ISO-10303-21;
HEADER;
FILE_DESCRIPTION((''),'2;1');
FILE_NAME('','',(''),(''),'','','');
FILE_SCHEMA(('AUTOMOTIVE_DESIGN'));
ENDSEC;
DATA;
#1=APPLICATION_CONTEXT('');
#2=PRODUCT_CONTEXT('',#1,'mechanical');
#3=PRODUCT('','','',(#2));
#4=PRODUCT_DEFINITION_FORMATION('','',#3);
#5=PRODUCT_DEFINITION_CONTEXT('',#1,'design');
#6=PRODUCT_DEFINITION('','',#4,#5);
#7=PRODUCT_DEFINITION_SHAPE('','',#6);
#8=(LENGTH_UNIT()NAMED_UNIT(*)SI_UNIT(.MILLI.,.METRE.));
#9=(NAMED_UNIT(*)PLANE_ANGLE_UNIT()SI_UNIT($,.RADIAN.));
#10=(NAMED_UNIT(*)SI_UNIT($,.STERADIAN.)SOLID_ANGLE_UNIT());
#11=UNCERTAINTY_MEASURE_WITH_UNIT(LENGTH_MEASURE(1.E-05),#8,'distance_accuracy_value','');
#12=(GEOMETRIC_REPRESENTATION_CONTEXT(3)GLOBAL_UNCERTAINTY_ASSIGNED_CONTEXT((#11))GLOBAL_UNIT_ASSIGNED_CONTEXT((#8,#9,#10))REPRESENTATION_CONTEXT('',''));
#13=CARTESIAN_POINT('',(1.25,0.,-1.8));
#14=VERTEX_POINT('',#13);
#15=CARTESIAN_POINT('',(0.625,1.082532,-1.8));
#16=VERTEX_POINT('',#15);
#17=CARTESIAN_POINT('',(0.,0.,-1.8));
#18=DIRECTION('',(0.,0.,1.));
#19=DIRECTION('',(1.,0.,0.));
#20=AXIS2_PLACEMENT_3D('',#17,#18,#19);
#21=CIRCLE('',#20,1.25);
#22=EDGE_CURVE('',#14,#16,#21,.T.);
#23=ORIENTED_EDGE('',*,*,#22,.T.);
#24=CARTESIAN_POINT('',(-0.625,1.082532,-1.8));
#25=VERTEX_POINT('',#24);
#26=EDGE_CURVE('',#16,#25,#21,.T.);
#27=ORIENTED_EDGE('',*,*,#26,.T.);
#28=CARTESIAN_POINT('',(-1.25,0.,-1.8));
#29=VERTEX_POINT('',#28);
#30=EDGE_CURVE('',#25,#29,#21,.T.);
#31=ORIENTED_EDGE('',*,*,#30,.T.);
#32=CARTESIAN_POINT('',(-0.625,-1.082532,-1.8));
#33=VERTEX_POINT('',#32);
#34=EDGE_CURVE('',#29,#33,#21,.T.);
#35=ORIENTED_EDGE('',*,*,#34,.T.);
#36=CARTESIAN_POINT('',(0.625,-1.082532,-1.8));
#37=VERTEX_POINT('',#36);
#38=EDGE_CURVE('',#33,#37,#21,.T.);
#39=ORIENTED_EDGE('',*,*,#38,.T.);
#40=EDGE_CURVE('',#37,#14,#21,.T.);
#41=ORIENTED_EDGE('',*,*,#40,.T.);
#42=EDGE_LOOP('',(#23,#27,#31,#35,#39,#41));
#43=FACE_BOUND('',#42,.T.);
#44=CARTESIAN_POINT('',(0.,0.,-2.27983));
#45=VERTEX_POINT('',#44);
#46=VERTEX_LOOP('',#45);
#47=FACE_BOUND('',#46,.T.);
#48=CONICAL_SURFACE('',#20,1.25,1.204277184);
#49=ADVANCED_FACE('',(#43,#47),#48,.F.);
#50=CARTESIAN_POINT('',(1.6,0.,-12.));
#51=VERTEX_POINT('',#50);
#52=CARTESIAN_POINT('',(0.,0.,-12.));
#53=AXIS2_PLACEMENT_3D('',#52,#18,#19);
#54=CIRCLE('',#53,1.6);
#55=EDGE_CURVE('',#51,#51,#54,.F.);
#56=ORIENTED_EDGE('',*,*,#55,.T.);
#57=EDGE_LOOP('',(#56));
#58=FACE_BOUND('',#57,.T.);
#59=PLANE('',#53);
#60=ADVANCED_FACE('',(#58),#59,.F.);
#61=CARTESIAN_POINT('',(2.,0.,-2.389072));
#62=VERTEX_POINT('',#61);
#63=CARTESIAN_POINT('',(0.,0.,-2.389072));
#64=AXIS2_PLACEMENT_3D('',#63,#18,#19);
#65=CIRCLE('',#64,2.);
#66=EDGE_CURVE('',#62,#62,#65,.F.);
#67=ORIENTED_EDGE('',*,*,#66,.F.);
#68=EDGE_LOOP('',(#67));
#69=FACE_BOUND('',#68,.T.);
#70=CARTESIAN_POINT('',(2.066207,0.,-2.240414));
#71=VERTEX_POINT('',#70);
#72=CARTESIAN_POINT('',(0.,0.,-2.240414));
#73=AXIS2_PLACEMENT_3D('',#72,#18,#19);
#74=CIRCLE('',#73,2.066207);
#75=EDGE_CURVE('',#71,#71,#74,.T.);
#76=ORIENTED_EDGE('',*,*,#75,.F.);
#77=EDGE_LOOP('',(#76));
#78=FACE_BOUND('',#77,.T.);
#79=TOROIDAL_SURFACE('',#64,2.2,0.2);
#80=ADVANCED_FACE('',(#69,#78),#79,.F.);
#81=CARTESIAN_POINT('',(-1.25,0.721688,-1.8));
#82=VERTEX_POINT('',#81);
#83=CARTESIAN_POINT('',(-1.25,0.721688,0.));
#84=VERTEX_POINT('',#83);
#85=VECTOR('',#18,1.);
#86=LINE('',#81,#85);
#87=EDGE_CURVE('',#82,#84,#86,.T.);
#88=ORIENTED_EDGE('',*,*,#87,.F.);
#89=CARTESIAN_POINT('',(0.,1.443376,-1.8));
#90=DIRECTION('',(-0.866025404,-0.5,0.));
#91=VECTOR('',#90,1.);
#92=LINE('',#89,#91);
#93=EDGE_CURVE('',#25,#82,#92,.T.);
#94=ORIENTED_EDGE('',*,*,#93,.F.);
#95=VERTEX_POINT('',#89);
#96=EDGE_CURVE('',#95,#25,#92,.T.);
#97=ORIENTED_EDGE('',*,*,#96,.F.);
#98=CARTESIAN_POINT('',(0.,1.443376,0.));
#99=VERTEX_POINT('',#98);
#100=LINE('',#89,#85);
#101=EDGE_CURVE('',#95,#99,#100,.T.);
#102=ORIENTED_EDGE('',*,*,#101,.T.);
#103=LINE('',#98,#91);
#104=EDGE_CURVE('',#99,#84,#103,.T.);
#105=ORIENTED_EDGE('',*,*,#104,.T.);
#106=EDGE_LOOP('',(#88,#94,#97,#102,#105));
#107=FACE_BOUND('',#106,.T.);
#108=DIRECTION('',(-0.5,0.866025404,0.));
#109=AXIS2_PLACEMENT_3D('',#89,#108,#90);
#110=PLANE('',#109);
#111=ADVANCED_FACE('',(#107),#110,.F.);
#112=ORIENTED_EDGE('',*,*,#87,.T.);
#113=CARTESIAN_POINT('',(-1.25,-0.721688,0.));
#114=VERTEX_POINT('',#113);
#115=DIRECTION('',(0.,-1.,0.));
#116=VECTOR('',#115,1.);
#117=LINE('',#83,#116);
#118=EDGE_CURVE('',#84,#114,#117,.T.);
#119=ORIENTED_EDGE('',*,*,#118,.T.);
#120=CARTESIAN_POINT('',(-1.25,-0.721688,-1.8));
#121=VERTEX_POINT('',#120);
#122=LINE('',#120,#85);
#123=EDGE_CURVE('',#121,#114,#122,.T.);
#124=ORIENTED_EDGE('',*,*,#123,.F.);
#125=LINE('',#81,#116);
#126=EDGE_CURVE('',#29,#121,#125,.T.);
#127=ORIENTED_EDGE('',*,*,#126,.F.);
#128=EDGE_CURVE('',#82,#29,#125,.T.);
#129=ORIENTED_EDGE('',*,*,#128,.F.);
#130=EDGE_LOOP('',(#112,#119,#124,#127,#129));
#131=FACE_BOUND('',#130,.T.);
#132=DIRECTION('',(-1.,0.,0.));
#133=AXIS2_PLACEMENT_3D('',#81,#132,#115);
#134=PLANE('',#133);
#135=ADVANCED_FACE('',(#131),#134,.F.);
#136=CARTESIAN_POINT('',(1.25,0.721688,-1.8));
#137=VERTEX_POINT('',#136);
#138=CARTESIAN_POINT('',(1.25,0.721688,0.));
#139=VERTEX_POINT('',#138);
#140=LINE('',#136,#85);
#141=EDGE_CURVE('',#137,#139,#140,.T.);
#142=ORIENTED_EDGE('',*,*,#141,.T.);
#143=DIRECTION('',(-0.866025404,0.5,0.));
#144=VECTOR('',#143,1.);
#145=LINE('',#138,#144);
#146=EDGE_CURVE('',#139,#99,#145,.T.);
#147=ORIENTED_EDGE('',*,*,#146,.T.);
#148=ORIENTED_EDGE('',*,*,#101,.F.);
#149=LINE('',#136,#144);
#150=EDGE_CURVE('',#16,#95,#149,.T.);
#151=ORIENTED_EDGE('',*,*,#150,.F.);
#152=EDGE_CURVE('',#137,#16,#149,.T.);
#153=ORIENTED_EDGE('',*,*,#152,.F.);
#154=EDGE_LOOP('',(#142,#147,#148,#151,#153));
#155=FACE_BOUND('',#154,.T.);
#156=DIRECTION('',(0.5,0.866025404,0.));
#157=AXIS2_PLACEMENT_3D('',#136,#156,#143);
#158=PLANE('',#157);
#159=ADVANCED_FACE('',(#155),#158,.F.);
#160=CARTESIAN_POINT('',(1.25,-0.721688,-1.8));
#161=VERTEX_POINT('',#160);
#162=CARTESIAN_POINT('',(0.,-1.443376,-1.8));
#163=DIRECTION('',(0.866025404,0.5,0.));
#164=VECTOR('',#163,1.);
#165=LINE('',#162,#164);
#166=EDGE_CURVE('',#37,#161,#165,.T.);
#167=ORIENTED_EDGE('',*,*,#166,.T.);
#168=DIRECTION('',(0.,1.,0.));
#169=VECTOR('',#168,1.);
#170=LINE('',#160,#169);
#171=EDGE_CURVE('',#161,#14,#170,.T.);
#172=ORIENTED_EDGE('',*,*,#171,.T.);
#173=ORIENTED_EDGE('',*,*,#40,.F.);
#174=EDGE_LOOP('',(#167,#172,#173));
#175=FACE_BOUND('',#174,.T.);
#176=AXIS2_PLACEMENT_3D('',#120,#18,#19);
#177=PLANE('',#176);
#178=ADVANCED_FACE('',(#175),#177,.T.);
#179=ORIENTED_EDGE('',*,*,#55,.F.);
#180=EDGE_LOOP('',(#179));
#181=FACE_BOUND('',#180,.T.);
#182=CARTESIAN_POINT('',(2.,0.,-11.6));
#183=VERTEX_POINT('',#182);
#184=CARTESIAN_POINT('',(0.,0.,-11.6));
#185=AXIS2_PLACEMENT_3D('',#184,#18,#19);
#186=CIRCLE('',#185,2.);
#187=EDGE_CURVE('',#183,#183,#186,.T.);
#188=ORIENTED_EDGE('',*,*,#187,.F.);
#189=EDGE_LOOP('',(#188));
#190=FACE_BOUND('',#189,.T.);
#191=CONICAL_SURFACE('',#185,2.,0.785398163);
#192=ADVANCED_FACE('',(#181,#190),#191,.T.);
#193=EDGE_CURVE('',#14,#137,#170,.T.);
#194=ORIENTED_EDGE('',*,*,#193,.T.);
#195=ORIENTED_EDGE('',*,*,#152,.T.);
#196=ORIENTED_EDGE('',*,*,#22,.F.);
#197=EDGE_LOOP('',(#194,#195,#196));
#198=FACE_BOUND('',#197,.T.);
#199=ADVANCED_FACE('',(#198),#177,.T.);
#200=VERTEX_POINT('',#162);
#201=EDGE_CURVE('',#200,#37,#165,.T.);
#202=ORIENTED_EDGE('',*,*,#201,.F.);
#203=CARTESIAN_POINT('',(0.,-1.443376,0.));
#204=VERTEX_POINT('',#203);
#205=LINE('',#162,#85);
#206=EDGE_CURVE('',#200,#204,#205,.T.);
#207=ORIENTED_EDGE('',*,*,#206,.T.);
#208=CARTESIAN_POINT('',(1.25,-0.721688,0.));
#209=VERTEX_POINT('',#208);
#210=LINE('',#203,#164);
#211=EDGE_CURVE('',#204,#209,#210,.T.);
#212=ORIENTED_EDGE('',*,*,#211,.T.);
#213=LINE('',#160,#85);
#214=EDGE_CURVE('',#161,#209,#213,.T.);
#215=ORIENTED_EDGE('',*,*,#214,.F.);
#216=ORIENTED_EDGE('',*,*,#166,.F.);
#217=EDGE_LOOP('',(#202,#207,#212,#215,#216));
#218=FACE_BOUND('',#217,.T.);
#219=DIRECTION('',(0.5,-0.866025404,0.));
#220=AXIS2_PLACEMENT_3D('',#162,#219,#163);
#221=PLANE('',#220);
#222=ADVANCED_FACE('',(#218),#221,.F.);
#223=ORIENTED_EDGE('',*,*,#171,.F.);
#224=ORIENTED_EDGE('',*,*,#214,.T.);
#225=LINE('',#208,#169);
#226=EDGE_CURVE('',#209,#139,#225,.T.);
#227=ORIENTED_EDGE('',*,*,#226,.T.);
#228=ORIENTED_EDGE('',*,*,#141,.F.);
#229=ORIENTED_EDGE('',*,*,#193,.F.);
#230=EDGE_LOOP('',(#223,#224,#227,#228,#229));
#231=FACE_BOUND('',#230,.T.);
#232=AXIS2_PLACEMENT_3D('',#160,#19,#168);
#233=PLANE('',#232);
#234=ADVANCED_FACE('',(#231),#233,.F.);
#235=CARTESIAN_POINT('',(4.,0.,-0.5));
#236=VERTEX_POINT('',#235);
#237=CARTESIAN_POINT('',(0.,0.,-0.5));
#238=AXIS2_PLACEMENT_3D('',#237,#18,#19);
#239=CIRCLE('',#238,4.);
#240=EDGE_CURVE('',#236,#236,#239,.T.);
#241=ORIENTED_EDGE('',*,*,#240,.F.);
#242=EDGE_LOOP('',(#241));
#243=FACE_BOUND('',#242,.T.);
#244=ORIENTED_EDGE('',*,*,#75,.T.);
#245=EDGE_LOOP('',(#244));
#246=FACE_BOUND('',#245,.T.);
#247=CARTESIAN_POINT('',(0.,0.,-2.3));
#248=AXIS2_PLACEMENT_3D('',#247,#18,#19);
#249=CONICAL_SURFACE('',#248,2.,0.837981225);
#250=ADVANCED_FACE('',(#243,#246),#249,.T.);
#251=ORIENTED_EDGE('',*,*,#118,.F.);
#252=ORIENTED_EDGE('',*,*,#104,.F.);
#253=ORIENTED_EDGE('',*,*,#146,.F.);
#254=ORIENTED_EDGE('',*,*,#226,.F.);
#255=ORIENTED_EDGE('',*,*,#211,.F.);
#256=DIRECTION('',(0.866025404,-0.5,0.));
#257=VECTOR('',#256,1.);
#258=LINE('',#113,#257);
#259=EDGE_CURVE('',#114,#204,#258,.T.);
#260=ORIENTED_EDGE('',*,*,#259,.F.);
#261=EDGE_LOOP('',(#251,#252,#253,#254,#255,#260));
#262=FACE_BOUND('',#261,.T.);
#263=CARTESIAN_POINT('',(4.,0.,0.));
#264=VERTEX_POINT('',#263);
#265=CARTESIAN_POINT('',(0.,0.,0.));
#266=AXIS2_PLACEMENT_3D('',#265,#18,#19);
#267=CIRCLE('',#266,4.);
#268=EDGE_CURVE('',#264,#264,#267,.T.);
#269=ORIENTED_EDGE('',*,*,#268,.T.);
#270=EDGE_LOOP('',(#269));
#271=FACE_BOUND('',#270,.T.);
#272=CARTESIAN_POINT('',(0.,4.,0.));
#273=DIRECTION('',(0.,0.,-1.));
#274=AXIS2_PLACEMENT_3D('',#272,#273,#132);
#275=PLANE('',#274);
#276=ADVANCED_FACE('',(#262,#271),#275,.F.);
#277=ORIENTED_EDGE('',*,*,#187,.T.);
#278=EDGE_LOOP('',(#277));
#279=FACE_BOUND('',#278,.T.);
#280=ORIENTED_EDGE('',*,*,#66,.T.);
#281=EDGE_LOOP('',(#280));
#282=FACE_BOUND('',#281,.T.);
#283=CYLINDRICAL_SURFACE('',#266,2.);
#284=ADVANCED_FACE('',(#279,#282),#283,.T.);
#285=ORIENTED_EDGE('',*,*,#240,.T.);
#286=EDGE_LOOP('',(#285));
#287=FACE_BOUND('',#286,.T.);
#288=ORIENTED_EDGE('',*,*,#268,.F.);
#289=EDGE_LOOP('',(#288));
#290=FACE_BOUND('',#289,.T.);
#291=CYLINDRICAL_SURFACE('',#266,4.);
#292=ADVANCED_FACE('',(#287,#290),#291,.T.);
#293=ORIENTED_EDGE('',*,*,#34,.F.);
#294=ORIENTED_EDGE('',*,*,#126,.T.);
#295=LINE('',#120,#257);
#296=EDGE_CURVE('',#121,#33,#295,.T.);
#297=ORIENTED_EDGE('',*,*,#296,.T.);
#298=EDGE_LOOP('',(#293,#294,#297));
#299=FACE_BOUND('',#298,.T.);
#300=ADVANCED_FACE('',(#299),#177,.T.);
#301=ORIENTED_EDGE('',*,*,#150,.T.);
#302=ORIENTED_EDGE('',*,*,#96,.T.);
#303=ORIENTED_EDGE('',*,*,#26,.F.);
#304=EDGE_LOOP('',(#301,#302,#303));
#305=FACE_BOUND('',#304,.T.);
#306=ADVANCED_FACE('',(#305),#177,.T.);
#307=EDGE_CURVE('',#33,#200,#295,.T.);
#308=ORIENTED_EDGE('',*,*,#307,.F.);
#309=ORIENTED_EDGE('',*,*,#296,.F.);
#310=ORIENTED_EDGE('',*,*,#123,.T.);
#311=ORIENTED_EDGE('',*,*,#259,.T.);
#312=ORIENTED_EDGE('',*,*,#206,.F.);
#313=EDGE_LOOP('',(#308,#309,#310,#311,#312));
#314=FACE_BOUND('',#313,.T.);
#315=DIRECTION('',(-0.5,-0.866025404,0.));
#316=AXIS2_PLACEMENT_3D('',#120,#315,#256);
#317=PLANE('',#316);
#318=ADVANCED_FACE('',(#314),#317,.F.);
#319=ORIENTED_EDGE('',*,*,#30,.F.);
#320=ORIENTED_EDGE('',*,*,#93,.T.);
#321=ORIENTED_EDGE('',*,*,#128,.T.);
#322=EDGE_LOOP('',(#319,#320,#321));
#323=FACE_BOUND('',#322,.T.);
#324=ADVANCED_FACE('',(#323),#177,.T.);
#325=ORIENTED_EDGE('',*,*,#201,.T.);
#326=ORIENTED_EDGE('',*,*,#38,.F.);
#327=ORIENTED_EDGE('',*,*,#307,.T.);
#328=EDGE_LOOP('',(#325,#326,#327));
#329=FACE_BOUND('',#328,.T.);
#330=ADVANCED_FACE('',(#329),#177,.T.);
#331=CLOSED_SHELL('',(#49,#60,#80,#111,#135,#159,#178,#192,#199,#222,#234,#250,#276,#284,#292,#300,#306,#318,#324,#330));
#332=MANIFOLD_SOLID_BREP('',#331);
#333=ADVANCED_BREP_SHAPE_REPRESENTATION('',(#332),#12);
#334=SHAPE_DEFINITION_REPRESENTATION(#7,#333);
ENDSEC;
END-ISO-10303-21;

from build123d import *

# Parameters (mm, degrees)
CHANFRO1_SIZE         = 0.4
CORTE_EXTRUS_O1_DEPTH = 1.8
FILETE1_R             = 0.2


with BuildPart() as part:
    # Esboço4 → Revolução1 (revolve)
    with BuildSketch(Plane(origin=(0, 0, 0), x_dir=(0, 0, -1), z_dir=(1, 0, 0)), mode=Mode.PRIVATE) as revolu_o1_sk:
        Polygon((0, 4), (0, 0), (12, 0), (12, 2), (2.3, 2), (0.5, 4), align=None)
    revolve(revolu_o1_sk.sketch.rotate(Axis((0, 0, 0), (0, 0, -1)), 90), axis=Axis((0, 0, 0), (0, 0, -1)))

    # Chanfro1
    chanfro1_edges = [part.edges().sort_by_distance(p)[0] for p in [
        (-2, 0, -12),
    ]]
    chamfer(chanfro1_edges, length=CHANFRO1_SIZE)

    # Esboço5 → Corte-extrusão1 (cut)
    with BuildSketch(Plane.XY):
        Polygon((-1.25, -0.721687836), (0, -1.443375673), (1.25, -0.721687836), (1.25, 0.721687836), (0, 1.443375673), (-1.25, 0.721687836), align=None)
    extrude(amount=-CORTE_EXTRUS_O1_DEPTH, mode=Mode.SUBTRACT)

    # Corte-extrusão2 cone 1 section (through the dimple's axis) → Corte-extrusão2 (revolve, cut)
    with BuildSketch(Plane(origin=(0, 0, -1.8), x_dir=(0, -1, 0), z_dir=(1, 0, 0))):
        Polygon((0, 0), (1.25, 0), (0, 0.479830044), align=None)
    revolve(axis=Axis((0, 0, -1.8), (0, 0, -1)), mode=Mode.SUBTRACT)

    # Filete1
    filete1_edges = [part.edges().sort_by_distance(p)[0] for p in [
        (-2, 0, -2.3),
    ]]
    fillet(filete1_edges, radius=FILETE1_R)


solid = part.part
